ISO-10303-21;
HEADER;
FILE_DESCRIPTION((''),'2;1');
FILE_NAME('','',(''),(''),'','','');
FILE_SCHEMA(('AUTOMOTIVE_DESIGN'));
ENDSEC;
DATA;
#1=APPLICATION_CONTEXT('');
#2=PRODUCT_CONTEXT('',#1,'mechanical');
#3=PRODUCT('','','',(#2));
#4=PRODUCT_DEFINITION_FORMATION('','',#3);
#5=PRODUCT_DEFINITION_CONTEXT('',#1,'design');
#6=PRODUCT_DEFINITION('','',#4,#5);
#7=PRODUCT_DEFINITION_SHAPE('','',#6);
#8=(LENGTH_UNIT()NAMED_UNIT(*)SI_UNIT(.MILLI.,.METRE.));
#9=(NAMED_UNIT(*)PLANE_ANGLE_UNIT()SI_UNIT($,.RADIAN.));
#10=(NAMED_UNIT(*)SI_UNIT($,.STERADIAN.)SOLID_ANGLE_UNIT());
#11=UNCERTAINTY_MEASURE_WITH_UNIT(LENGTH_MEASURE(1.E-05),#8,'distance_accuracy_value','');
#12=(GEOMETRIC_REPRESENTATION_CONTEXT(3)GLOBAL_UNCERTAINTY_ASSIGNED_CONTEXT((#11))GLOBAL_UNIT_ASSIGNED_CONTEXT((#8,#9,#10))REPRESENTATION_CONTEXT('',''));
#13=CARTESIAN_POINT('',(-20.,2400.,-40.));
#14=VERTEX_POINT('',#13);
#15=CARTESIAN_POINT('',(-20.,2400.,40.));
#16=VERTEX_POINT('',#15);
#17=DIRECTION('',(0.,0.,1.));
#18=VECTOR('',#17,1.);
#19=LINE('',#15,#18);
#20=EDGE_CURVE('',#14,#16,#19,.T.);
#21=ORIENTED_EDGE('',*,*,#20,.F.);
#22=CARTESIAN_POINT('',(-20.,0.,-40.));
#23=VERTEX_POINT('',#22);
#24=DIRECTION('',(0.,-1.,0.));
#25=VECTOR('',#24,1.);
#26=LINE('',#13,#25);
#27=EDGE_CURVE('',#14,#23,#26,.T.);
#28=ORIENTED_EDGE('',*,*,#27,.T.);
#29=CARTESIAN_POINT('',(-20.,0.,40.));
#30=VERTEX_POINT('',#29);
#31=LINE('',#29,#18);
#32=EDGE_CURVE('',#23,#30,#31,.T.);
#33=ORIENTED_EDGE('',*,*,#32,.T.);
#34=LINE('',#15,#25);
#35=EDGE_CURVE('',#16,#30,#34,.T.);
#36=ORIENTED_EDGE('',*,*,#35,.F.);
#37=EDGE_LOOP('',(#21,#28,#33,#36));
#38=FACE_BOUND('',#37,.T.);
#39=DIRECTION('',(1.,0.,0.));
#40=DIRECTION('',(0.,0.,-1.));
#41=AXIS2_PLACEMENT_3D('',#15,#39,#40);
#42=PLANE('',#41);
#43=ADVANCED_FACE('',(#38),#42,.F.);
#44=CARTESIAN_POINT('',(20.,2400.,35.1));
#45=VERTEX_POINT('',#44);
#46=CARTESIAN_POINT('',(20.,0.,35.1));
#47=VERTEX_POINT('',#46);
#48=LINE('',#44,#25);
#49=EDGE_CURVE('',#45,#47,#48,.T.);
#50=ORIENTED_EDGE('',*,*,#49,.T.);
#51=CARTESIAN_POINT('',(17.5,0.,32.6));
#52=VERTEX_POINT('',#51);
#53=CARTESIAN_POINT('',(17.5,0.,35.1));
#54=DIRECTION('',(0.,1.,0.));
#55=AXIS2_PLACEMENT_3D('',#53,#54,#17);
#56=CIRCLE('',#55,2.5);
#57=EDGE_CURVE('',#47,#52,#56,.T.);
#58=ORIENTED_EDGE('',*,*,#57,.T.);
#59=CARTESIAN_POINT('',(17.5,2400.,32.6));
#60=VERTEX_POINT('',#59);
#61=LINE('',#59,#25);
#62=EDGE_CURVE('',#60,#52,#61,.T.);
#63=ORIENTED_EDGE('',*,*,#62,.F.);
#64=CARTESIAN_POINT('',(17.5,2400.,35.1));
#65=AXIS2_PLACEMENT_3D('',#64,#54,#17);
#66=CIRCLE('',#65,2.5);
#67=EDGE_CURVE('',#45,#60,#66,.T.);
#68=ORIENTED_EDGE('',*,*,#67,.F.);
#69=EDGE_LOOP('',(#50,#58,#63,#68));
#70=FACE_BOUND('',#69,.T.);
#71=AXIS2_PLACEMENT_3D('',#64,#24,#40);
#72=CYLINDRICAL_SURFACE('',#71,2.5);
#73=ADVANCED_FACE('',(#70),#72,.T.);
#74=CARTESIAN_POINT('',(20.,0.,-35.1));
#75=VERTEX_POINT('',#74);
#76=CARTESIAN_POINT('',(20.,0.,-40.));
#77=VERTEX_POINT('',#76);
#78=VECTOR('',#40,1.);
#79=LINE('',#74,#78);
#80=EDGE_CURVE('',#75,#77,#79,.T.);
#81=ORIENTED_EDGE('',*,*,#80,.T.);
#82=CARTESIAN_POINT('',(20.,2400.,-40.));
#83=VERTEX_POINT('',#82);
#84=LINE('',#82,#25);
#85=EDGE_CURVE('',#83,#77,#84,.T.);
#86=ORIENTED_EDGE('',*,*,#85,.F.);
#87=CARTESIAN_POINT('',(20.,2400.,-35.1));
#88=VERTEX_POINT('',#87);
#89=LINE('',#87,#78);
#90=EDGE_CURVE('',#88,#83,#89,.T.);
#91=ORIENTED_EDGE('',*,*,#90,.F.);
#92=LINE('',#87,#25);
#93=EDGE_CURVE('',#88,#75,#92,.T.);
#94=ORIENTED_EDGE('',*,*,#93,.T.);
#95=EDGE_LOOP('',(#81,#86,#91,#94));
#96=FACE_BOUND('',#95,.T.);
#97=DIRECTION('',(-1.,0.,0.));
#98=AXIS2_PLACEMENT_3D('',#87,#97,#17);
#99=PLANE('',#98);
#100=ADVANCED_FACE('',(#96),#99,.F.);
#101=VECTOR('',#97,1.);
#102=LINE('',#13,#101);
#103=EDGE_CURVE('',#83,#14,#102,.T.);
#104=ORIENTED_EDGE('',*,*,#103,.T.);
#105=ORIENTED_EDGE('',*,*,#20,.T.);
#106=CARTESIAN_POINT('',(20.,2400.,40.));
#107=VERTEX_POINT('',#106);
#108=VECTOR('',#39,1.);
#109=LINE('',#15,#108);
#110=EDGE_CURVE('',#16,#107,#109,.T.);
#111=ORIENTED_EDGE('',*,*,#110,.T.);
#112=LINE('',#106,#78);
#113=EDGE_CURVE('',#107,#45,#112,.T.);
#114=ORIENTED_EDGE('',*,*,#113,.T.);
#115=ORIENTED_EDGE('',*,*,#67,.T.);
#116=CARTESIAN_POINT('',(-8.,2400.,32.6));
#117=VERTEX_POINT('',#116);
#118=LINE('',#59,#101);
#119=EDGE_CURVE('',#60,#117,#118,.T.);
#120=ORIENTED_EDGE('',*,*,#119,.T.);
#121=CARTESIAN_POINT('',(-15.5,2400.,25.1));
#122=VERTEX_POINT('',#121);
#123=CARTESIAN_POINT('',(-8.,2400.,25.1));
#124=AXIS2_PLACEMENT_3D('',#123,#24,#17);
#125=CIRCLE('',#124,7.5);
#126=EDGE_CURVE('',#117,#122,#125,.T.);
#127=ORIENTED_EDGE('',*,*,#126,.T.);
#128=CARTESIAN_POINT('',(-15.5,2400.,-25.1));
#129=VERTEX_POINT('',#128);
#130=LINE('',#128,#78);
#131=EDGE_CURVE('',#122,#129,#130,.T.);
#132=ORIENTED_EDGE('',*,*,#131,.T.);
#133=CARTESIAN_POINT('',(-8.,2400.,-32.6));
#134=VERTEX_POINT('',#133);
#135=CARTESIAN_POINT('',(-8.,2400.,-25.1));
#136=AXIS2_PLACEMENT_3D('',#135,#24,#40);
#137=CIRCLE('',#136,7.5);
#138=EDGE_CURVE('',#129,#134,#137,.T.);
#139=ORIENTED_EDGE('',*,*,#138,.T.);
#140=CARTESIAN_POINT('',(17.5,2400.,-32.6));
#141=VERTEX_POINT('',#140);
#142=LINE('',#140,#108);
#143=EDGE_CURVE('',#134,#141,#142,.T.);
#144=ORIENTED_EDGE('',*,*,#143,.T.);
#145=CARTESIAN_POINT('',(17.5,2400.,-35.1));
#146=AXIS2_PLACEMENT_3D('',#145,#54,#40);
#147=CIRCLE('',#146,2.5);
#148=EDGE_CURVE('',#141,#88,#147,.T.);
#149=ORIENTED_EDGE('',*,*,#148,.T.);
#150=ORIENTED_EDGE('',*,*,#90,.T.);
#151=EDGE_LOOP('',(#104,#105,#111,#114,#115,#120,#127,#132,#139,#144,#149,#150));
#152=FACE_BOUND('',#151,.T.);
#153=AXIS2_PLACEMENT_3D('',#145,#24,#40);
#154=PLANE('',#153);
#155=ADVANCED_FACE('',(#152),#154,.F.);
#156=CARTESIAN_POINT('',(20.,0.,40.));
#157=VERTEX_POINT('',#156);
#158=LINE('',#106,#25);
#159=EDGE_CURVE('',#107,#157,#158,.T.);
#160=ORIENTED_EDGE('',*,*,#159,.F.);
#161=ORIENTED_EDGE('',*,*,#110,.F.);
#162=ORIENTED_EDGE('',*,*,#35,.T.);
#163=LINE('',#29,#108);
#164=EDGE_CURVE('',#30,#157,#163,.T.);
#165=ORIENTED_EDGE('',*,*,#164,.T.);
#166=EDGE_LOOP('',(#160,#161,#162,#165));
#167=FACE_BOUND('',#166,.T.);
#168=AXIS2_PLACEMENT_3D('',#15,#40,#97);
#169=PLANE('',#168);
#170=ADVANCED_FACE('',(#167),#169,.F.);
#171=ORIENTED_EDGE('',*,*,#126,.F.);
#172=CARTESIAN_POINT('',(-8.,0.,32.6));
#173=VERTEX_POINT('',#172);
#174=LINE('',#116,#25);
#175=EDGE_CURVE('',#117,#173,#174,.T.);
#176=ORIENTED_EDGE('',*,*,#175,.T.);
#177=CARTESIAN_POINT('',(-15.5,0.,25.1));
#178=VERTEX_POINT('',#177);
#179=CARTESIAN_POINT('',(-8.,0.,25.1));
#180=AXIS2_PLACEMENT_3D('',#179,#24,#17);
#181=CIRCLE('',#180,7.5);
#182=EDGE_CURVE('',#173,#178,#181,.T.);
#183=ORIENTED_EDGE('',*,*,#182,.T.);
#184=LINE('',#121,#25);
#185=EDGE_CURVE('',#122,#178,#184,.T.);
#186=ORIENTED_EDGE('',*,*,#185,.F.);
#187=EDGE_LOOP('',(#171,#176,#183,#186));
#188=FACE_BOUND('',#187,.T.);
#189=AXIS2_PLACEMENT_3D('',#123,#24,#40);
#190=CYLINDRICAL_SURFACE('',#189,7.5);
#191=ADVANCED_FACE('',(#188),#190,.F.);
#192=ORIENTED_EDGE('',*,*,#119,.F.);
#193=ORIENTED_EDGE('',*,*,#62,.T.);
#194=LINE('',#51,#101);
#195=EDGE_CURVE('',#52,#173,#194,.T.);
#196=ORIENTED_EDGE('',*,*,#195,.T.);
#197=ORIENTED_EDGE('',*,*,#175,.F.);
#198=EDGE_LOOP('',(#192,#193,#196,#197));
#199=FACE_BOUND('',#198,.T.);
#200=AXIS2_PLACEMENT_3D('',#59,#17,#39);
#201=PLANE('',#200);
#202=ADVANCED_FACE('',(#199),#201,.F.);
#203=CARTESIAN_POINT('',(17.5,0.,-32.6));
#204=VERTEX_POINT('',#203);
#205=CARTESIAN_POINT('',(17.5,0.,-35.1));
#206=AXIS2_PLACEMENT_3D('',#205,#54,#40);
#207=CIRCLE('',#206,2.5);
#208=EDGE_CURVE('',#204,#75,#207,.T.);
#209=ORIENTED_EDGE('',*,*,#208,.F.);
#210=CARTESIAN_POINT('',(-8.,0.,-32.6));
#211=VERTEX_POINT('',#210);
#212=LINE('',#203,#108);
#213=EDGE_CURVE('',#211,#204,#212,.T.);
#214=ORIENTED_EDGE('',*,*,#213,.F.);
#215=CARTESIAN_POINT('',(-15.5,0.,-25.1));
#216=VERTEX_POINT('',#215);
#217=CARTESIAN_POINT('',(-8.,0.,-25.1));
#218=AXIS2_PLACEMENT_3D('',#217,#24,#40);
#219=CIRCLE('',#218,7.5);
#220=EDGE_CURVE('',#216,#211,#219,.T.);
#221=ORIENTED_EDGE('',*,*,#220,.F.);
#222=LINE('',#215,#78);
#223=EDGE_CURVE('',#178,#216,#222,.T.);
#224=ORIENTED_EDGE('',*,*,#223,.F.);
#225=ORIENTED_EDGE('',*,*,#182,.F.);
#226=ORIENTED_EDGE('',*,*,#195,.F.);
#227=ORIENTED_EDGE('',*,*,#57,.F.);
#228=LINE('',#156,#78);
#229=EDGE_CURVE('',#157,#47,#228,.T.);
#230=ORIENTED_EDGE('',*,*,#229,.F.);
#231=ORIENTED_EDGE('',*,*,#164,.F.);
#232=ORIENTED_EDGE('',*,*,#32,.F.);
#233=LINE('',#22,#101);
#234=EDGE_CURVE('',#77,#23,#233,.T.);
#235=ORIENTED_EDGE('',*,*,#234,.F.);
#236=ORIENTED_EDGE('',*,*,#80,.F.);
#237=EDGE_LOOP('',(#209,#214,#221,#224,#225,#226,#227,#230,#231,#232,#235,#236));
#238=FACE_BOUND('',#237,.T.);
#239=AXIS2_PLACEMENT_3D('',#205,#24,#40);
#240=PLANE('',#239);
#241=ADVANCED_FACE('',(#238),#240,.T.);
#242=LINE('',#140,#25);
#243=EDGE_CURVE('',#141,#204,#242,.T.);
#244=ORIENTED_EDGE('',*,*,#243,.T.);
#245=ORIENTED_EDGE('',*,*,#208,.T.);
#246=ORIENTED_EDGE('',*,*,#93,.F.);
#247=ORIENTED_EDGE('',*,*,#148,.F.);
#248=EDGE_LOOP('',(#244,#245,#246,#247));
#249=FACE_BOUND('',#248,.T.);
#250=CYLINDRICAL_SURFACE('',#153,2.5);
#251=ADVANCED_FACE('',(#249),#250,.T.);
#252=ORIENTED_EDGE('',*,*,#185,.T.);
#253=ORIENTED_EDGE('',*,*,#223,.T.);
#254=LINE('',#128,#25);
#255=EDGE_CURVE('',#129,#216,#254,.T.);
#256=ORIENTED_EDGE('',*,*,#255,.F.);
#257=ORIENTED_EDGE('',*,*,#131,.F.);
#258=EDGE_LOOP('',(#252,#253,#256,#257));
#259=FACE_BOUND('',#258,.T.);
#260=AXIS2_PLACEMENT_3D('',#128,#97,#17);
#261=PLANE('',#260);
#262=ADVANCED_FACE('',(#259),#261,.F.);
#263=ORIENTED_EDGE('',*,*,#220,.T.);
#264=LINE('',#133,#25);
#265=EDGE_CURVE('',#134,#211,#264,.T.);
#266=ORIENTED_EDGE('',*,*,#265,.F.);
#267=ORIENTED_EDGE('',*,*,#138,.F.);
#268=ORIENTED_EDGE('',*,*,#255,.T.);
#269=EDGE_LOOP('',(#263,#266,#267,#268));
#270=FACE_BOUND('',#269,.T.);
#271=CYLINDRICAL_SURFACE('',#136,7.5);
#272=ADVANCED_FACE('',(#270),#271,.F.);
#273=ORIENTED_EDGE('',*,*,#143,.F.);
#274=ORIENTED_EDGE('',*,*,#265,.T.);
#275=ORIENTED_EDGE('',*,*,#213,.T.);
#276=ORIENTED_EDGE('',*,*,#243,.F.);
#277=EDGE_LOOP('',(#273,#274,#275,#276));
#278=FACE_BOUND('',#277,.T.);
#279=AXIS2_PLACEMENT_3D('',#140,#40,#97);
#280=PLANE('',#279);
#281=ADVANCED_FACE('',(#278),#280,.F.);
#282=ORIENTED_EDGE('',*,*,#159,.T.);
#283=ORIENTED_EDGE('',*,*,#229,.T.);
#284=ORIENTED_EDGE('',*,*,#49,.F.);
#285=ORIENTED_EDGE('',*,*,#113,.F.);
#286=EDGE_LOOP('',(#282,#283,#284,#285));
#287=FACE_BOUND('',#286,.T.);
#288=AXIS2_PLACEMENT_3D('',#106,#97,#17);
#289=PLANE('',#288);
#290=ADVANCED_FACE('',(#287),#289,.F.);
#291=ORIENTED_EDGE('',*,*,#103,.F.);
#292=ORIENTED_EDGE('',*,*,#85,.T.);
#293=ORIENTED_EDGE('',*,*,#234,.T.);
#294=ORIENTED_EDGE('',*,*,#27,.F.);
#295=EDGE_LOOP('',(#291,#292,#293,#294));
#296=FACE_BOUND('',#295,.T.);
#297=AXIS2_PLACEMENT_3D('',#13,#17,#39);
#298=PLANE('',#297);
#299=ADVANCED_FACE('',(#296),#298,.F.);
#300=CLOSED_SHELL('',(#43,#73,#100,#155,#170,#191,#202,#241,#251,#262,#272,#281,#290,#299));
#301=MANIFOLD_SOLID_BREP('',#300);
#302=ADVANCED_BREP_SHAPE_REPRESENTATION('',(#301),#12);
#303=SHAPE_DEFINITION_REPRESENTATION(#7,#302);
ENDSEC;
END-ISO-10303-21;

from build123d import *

# Parameters (mm, degrees)
EXTRUDE_1_DEPTH = 2400


with BuildPart() as part:
    # Эскиз1 → Бобышка-Вытянуть1 (new body)
    with BuildSketch(Plane(origin=(0, 0, 0), x_dir=(1, 0, 0), z_dir=(0, 1, 0))):
        with BuildLine():
            Line((20, 35.1), (20, 40))
            Line((20, 40), (-20, 40))
            Line((-20, 40), (-20, -40))
            Line((-20, -40), (20, -40))
            Line((20, -40), (20, -35.1))
            ThreePointArc((20, -35.1), (19.267766953, -33.332233047), (17.5, -32.6))
            Line((17.5, -32.6), (-8, -32.6))
            ThreePointArc((-8, -32.6), (-13.303300859, -30.403300859), (-15.5, -25.1))
            Line((-15.5, -25.1), (-15.5, 25.1))
            ThreePointArc((-15.5, 25.1), (-13.303300859, 30.403300859), (-8, 32.6))
            Line((-8, 32.6), (17.5, 32.6))
            ThreePointArc((17.5, 32.6), (19.267766953, 33.332233047), (20, 35.1))
        make_face()
    extrude(amount=EXTRUDE_1_DEPTH)


solid = part.part
